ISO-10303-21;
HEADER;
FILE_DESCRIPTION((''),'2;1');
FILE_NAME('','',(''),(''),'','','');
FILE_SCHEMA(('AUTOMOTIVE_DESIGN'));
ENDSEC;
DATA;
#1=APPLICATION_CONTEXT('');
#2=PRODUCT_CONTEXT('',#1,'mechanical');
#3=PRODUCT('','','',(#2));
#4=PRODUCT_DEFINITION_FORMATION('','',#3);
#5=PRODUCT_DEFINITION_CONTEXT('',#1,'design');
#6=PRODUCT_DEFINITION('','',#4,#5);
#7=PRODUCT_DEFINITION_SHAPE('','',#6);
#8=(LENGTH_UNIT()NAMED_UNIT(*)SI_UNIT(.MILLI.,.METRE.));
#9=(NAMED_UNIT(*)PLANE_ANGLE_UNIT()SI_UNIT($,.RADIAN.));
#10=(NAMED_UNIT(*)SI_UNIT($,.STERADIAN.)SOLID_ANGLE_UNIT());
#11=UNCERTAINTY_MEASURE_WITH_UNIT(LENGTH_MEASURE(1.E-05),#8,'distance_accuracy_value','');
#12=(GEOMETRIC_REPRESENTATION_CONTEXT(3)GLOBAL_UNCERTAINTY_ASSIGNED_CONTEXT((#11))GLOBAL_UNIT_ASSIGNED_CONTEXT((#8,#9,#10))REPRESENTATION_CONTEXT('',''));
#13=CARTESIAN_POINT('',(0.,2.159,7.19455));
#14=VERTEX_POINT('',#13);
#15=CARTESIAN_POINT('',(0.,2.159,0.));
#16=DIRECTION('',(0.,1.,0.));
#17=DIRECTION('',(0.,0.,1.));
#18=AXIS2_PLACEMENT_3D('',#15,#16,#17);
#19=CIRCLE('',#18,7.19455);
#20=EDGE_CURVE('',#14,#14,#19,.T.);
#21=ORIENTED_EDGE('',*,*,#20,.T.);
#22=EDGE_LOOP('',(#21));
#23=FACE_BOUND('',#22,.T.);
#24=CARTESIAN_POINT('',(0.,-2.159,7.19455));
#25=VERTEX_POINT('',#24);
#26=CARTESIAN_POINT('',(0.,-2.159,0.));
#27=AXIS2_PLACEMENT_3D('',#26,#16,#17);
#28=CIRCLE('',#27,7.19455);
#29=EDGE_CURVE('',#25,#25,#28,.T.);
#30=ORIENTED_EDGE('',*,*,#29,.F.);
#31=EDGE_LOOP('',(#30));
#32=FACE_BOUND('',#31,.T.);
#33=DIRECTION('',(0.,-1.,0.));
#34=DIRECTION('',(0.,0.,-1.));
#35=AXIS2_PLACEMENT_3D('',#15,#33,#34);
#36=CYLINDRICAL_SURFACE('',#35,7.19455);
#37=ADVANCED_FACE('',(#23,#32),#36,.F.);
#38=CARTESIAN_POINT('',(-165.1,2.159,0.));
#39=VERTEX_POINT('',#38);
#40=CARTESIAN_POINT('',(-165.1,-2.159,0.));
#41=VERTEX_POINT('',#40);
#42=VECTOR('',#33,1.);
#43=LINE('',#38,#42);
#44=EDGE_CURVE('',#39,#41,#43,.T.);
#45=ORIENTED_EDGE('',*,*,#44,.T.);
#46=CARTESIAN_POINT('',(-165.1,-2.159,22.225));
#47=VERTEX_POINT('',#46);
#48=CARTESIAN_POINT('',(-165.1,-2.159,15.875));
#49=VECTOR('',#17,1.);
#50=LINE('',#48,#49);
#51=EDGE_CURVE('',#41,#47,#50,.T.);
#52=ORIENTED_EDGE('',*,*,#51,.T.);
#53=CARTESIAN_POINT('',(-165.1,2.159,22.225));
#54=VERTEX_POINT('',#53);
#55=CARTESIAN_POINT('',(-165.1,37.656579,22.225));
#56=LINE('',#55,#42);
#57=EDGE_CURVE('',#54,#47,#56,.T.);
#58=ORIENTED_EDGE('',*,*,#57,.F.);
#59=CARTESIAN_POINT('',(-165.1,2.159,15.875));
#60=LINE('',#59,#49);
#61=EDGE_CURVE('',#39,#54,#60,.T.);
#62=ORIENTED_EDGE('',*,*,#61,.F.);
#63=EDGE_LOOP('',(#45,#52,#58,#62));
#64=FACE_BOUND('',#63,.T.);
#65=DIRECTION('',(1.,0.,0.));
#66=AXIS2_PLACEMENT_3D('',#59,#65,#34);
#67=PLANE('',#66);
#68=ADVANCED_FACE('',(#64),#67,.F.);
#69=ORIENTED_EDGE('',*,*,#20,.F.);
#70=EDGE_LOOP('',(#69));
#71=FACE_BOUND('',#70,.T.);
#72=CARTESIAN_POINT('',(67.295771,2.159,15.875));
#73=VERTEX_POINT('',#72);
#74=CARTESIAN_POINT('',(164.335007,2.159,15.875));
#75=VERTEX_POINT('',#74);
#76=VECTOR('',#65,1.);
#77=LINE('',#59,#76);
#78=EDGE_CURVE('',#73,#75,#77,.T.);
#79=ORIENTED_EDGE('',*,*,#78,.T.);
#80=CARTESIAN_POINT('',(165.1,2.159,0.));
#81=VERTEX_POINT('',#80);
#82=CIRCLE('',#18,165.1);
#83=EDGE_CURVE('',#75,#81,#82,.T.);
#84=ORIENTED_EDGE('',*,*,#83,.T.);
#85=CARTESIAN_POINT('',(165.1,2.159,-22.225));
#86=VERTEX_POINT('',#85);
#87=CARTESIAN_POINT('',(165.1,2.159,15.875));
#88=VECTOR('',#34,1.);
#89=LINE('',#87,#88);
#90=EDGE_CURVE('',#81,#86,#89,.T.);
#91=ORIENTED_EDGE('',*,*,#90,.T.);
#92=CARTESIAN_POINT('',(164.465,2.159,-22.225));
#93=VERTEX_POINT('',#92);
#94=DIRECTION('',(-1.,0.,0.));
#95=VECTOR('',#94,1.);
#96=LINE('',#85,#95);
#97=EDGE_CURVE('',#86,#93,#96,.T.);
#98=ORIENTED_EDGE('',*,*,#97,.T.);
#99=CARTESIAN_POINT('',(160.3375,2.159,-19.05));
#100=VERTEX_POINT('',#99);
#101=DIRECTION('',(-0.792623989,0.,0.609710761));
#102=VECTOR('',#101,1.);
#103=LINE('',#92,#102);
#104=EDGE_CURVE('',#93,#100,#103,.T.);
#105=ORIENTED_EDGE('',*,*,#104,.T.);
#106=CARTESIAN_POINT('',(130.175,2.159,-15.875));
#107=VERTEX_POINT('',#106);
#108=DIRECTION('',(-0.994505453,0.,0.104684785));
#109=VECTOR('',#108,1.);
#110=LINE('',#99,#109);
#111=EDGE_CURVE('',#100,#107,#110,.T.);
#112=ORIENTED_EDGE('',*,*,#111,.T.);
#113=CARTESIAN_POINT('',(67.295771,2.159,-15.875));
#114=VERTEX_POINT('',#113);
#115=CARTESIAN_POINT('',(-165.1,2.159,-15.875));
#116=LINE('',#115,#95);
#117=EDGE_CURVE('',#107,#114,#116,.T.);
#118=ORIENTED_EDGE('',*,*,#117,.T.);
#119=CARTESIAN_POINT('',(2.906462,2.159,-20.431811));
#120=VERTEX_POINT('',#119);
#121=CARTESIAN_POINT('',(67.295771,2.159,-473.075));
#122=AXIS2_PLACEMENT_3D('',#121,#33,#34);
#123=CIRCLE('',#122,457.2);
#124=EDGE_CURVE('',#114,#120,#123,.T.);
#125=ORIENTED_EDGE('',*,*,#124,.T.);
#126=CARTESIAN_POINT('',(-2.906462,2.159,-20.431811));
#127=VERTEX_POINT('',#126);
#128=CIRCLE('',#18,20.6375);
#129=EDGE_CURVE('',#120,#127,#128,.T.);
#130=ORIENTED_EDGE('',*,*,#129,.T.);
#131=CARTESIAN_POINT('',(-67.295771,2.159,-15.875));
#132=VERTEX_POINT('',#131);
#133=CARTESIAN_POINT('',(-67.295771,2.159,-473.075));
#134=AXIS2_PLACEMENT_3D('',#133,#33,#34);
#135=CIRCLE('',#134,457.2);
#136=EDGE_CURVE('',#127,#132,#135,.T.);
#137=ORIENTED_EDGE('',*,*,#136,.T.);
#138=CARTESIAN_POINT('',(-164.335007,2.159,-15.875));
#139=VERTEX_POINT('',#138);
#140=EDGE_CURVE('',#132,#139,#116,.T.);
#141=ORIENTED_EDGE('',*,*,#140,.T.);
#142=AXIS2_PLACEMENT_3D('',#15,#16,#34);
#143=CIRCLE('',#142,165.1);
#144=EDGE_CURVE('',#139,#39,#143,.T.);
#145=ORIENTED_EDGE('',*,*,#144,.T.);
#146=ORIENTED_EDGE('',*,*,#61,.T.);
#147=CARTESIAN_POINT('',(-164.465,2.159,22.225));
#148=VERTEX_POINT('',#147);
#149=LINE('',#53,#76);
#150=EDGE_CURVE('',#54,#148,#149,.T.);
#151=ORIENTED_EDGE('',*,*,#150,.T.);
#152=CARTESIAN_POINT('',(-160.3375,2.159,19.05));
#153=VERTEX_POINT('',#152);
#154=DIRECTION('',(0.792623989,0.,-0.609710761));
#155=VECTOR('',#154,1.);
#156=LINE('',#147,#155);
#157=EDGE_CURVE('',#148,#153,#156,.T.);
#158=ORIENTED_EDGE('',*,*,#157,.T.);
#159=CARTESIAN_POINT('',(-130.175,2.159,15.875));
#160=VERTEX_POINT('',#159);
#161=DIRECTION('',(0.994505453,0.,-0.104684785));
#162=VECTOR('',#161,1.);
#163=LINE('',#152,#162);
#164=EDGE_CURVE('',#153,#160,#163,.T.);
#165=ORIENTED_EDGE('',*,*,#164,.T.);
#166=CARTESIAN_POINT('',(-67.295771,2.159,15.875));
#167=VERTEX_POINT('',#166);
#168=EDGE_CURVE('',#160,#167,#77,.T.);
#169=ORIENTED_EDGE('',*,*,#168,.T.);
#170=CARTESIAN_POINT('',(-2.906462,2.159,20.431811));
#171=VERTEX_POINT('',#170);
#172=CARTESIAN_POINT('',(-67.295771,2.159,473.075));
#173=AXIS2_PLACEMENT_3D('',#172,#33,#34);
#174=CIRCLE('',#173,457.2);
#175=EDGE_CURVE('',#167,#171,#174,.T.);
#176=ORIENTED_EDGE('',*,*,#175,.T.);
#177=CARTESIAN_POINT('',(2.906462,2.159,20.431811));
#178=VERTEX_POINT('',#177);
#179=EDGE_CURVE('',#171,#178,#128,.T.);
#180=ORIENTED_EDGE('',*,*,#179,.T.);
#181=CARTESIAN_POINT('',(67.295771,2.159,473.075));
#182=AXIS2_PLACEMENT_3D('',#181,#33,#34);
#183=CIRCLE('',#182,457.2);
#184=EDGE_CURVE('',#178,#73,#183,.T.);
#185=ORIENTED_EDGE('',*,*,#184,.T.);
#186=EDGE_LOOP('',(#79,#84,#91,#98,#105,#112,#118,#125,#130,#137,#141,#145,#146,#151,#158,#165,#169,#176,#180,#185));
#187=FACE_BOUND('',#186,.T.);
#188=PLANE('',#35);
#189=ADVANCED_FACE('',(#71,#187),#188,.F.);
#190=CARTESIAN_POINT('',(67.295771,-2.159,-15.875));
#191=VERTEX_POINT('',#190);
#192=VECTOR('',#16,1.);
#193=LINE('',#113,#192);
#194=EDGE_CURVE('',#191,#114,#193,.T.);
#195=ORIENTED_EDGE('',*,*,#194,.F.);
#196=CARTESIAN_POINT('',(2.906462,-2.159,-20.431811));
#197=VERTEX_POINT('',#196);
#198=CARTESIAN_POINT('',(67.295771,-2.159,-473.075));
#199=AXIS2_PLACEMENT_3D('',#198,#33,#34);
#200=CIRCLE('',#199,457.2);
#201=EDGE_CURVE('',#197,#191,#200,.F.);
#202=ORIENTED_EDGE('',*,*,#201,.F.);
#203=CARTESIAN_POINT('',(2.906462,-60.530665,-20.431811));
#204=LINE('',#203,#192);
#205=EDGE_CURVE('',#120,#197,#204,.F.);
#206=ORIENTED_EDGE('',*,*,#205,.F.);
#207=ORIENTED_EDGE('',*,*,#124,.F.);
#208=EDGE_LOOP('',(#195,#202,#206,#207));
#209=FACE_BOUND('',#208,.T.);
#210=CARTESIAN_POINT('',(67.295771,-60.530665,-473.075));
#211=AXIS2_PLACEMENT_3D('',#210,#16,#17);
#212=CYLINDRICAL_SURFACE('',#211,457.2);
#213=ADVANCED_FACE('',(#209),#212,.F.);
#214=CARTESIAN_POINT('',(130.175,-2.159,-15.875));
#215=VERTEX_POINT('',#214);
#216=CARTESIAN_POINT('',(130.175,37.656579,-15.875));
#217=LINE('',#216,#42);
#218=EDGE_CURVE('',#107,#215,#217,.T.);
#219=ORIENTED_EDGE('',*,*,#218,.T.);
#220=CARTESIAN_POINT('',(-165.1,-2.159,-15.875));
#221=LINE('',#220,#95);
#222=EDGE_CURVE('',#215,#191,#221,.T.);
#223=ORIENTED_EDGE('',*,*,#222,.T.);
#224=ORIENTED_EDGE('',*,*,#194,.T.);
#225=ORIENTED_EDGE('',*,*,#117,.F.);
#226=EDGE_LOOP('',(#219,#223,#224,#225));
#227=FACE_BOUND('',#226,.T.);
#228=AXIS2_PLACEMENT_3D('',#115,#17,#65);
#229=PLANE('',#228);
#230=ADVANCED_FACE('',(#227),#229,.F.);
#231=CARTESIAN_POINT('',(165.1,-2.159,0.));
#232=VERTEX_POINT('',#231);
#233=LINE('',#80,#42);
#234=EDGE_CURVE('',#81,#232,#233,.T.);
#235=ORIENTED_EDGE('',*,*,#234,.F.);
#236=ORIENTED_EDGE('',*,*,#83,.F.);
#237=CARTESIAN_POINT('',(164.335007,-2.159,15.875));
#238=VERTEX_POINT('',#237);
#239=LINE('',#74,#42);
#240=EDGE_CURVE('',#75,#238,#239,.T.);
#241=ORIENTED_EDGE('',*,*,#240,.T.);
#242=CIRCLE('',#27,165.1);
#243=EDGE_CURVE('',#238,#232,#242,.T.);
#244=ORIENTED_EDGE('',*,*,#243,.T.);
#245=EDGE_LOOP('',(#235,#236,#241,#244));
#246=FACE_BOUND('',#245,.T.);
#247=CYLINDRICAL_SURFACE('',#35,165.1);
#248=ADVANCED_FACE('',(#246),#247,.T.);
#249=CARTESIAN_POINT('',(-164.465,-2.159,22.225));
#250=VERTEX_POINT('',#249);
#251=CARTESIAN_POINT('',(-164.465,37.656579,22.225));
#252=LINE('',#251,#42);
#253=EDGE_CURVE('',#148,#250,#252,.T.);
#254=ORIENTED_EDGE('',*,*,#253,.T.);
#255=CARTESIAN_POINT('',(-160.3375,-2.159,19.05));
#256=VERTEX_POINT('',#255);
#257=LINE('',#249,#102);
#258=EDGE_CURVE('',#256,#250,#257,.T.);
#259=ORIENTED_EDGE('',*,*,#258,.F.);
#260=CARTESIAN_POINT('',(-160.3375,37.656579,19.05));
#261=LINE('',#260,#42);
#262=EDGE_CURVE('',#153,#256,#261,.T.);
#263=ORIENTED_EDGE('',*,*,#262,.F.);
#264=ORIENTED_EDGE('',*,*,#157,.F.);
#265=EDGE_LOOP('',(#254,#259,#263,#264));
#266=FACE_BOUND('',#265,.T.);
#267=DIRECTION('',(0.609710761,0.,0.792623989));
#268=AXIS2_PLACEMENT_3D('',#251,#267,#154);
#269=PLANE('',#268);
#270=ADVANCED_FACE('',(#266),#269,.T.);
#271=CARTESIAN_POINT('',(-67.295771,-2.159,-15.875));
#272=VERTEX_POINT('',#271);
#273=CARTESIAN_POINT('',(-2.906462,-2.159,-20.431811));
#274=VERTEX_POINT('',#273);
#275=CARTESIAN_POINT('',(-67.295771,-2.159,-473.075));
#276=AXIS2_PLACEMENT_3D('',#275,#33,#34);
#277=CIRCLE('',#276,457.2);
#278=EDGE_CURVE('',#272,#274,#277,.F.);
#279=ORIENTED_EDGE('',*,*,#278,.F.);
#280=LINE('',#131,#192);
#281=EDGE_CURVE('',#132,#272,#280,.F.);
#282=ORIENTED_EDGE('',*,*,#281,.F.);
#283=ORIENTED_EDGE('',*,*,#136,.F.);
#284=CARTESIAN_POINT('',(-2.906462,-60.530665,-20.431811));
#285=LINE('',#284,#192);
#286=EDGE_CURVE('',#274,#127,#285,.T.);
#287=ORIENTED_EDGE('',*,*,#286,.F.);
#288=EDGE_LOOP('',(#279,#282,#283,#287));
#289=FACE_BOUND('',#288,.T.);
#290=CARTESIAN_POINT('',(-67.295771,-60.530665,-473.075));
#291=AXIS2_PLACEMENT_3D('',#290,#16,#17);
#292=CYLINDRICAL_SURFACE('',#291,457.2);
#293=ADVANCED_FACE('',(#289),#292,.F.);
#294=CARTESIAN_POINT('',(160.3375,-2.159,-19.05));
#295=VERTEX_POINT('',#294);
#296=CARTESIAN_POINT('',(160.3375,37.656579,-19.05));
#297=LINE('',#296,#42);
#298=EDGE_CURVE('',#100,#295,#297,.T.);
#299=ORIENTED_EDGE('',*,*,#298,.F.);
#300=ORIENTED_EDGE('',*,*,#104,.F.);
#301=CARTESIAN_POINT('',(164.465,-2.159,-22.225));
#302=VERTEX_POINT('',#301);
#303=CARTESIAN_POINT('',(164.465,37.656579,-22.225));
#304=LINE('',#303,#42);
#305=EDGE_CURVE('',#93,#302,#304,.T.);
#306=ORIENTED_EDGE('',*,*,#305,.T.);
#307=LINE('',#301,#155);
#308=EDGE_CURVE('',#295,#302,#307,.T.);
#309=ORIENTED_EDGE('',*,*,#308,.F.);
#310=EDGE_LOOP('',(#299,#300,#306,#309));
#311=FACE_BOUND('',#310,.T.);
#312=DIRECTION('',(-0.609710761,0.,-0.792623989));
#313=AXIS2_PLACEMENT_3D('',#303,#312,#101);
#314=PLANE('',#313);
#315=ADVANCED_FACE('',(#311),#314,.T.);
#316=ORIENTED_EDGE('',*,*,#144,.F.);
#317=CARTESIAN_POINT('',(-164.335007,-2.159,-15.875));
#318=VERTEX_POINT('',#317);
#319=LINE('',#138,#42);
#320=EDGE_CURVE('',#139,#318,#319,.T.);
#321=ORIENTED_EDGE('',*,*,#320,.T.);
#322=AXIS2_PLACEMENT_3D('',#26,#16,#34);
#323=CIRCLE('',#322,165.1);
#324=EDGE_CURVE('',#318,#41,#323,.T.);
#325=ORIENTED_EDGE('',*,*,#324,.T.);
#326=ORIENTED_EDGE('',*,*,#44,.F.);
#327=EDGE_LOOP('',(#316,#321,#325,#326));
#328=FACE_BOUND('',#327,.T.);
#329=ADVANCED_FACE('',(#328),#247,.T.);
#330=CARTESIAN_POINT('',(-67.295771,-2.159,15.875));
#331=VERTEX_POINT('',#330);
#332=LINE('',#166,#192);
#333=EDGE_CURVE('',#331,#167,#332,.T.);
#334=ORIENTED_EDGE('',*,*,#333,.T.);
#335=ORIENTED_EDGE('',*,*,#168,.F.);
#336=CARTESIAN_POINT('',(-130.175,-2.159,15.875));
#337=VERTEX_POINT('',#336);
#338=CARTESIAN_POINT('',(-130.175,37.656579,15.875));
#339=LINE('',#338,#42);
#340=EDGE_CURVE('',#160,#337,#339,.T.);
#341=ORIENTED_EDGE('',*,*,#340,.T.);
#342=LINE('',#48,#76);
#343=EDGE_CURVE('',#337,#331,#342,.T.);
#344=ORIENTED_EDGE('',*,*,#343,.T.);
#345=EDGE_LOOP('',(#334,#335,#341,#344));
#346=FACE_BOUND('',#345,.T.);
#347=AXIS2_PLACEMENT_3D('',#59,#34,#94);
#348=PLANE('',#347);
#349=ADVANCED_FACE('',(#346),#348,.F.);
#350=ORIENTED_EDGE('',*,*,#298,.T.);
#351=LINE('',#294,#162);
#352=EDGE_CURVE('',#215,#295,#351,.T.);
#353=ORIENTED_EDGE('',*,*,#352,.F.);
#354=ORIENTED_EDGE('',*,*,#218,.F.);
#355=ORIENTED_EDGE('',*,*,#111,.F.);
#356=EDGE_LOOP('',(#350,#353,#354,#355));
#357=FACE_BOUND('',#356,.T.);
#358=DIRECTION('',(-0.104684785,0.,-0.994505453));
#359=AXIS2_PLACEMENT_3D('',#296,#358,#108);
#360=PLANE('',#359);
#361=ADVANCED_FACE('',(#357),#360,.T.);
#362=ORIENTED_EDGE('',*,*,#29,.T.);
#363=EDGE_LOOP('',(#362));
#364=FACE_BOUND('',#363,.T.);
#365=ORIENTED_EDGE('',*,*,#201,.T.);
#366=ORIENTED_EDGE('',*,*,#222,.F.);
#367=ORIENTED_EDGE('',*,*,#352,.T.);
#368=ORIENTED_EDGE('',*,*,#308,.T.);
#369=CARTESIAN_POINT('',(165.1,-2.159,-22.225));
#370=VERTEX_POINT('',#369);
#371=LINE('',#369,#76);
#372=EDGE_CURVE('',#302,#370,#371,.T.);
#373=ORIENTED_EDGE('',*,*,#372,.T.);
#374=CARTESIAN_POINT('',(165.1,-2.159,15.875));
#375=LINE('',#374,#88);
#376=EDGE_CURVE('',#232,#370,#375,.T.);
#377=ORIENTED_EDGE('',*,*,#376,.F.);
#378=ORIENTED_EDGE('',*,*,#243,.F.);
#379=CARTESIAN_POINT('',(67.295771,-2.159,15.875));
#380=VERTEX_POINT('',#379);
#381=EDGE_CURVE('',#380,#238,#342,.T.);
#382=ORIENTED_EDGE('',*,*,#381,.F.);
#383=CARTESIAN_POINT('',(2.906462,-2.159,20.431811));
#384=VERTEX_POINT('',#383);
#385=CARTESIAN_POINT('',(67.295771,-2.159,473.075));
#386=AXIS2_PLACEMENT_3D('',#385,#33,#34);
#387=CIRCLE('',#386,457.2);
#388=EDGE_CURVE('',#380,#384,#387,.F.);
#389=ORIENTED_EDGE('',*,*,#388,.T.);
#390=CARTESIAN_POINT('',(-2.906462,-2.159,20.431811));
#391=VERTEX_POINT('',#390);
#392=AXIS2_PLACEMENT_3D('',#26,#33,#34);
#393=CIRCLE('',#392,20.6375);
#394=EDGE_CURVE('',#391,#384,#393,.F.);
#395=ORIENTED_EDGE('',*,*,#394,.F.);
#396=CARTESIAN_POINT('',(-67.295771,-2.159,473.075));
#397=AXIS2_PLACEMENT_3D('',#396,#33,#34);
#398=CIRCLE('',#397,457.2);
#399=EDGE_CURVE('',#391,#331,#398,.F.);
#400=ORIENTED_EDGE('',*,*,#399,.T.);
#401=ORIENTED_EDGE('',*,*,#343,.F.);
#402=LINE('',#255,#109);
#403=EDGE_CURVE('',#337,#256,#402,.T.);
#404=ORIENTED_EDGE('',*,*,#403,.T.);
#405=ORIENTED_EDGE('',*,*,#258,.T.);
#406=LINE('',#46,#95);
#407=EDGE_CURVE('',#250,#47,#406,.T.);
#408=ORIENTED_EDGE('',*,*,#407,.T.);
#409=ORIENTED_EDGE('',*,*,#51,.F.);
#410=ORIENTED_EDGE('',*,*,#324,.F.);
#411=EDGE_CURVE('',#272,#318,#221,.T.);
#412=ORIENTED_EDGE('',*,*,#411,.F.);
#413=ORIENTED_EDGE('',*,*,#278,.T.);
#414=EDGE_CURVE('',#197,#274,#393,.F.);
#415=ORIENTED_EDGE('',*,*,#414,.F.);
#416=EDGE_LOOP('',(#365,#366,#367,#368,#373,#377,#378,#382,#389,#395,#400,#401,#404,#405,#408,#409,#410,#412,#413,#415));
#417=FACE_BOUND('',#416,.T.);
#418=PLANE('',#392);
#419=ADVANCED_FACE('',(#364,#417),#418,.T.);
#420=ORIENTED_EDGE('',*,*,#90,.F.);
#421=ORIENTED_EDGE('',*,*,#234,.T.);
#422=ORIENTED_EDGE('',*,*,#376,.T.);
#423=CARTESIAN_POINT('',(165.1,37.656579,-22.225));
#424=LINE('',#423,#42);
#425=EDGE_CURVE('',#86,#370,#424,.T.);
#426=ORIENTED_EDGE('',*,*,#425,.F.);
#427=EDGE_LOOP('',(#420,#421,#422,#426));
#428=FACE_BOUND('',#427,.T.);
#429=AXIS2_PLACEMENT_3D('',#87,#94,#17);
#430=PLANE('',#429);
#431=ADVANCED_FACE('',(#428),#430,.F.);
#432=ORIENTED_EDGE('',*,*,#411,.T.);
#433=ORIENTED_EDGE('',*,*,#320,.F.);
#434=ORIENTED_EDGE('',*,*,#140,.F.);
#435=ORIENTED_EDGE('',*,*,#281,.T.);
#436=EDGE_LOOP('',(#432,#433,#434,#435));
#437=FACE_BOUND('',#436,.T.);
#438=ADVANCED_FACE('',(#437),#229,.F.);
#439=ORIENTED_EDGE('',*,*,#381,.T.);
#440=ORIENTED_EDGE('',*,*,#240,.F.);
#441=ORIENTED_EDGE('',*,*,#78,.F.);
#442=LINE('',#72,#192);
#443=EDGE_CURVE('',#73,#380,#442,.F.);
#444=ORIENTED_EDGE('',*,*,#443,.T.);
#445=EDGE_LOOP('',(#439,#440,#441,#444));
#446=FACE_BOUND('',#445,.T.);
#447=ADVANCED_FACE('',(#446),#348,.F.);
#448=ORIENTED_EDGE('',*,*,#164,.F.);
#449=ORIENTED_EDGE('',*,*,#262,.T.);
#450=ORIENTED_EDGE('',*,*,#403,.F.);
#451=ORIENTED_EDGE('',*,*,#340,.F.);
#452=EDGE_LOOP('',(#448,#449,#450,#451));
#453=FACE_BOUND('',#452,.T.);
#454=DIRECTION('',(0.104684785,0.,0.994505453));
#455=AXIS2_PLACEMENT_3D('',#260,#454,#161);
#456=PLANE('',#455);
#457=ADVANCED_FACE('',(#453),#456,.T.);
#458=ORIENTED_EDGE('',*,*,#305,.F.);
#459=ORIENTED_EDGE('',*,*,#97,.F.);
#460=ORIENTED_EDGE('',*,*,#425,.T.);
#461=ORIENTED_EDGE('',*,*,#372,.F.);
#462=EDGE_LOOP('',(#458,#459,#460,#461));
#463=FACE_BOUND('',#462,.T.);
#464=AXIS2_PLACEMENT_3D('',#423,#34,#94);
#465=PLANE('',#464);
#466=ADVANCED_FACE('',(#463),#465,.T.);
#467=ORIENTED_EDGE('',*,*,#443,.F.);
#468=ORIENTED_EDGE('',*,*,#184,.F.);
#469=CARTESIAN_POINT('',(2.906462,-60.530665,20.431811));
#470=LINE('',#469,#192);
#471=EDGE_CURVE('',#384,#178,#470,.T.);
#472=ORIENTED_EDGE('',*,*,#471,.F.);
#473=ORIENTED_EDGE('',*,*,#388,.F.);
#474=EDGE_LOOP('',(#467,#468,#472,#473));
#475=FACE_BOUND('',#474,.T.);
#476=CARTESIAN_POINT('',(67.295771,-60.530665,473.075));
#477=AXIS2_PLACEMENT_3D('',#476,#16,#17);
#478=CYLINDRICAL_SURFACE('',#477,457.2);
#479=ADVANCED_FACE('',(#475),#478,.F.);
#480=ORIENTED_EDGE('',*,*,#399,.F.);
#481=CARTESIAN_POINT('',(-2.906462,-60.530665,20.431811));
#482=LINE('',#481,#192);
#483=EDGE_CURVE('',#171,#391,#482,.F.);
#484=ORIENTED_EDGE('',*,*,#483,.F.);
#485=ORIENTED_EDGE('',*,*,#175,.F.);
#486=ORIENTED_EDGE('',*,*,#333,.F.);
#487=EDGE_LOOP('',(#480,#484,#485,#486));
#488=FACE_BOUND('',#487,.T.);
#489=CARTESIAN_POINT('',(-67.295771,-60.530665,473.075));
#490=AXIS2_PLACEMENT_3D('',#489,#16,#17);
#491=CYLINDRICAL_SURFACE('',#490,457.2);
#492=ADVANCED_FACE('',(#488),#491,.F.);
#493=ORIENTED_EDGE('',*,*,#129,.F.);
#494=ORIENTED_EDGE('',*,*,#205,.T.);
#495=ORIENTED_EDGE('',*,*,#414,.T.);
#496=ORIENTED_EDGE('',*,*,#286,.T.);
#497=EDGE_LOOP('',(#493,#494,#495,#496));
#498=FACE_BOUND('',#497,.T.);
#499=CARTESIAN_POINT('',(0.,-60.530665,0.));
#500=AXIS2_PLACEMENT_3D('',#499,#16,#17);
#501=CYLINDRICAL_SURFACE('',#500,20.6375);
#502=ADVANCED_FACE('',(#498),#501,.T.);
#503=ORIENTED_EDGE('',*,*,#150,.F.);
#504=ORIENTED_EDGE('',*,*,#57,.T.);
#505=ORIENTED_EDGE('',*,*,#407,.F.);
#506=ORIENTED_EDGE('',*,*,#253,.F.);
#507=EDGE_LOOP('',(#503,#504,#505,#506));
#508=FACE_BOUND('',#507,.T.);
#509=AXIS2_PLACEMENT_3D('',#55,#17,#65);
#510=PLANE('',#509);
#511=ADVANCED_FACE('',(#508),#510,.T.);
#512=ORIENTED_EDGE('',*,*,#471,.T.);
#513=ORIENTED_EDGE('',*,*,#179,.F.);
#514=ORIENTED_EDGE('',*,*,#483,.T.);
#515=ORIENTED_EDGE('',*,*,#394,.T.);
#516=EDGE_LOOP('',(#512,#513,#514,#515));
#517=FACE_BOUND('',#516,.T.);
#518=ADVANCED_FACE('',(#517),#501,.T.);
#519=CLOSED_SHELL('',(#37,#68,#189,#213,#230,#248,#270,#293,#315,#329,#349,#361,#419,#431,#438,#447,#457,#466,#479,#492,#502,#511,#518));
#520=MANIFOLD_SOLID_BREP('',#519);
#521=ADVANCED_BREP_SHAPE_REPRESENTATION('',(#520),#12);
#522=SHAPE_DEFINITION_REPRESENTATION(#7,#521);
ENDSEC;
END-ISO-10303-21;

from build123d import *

# Parameters (mm, degrees)
SKETCH1_W           = 330.2
SKETCH1_H           = 31.75
SKETCH1_R           = 7.19455
BOSS_EXTRUDE1_DEPTH = 2.159
SKETCH2_R           = 20.6375
SKETCH2_R_2         = 7.19455
BOSS_EXTRUDE2_DEPTH = 4.318
FILLET1_R           = 457.2
BOSS_EXTRUDE3_DEPTH = 4.318
CUT_EXTRUDE2_DEPTH  = 5.318


with BuildPart() as part:
    # Sketch1 → Boss-Extrude1 (new body, symmetric)
    with BuildSketch(Plane(origin=(0, 0, 0), x_dir=(1, 0, 0), z_dir=(0, 1, 0))):
        Rectangle(SKETCH1_W, SKETCH1_H)
        Circle(SKETCH1_R, mode=Mode.SUBTRACT)
    extrude(amount=BOSS_EXTRUDE1_DEPTH, both=True)

    # Sketch2 → Boss-Extrude2 (add)
    with BuildSketch(Plane(origin=(0, 2.159, 0), x_dir=(1, 0, 0), z_dir=(0, 1, 0))):
        Circle(SKETCH2_R)
        Circle(SKETCH2_R_2, mode=Mode.SUBTRACT)
    extrude(amount=-BOSS_EXTRUDE2_DEPTH)

    # Fillet1
    fillet1_edges = [part.edges().sort_by_distance(p)[0] for p in [
        (13.186765382, 0, 15.875),
        (-13.186765382, 0, 15.875),
        (13.186765382, 0, -15.875),
        (-13.186765382, 0, -15.875),
    ]]
    fillet(fillet1_edges, radius=FILLET1_R)

    # Sketch5 → Boss-Extrude3 (add)
    with BuildSketch(Plane.XZ.offset(2.159)):
        Polygon((-165.1, 15.875), (-165.1, 22.225), (-164.465, 22.225), (-160.3375, 19.05), (-130.175, 15.875), align=None)
        Polygon((165.1, -15.875), (165.1, -22.225), (164.465, -22.225), (160.3375, -19.05), (130.175, -15.875), align=None)
    extrude(amount=-BOSS_EXTRUDE3_DEPTH)

    # Sketch7 → Cut-Extrude2 (cut, through all)
    with BuildSketch(Plane.XZ.offset(2.159)):
        with BuildLine():
            Line((164.335006542, 15.875), (165.1, 15.875))
            Line((165.1, 15.875), (165.1, 0))
            ThreePointArc((165.1, 0), (164.908640738, 7.94671064), (164.335006542, 15.875))
        make_face()
        with BuildLine():
            Line((-164.335006542, -15.875), (-165.1, -15.875))
            Line((-165.1, -15.875), (-165.1, 0))
            ThreePointArc((-165.1, 0), (-164.908640738, -7.94671064), (-164.335006542, -15.875))
        make_face()
    extrude(amount=-CUT_EXTRUDE2_DEPTH, mode=Mode.SUBTRACT)


solid = part.part
